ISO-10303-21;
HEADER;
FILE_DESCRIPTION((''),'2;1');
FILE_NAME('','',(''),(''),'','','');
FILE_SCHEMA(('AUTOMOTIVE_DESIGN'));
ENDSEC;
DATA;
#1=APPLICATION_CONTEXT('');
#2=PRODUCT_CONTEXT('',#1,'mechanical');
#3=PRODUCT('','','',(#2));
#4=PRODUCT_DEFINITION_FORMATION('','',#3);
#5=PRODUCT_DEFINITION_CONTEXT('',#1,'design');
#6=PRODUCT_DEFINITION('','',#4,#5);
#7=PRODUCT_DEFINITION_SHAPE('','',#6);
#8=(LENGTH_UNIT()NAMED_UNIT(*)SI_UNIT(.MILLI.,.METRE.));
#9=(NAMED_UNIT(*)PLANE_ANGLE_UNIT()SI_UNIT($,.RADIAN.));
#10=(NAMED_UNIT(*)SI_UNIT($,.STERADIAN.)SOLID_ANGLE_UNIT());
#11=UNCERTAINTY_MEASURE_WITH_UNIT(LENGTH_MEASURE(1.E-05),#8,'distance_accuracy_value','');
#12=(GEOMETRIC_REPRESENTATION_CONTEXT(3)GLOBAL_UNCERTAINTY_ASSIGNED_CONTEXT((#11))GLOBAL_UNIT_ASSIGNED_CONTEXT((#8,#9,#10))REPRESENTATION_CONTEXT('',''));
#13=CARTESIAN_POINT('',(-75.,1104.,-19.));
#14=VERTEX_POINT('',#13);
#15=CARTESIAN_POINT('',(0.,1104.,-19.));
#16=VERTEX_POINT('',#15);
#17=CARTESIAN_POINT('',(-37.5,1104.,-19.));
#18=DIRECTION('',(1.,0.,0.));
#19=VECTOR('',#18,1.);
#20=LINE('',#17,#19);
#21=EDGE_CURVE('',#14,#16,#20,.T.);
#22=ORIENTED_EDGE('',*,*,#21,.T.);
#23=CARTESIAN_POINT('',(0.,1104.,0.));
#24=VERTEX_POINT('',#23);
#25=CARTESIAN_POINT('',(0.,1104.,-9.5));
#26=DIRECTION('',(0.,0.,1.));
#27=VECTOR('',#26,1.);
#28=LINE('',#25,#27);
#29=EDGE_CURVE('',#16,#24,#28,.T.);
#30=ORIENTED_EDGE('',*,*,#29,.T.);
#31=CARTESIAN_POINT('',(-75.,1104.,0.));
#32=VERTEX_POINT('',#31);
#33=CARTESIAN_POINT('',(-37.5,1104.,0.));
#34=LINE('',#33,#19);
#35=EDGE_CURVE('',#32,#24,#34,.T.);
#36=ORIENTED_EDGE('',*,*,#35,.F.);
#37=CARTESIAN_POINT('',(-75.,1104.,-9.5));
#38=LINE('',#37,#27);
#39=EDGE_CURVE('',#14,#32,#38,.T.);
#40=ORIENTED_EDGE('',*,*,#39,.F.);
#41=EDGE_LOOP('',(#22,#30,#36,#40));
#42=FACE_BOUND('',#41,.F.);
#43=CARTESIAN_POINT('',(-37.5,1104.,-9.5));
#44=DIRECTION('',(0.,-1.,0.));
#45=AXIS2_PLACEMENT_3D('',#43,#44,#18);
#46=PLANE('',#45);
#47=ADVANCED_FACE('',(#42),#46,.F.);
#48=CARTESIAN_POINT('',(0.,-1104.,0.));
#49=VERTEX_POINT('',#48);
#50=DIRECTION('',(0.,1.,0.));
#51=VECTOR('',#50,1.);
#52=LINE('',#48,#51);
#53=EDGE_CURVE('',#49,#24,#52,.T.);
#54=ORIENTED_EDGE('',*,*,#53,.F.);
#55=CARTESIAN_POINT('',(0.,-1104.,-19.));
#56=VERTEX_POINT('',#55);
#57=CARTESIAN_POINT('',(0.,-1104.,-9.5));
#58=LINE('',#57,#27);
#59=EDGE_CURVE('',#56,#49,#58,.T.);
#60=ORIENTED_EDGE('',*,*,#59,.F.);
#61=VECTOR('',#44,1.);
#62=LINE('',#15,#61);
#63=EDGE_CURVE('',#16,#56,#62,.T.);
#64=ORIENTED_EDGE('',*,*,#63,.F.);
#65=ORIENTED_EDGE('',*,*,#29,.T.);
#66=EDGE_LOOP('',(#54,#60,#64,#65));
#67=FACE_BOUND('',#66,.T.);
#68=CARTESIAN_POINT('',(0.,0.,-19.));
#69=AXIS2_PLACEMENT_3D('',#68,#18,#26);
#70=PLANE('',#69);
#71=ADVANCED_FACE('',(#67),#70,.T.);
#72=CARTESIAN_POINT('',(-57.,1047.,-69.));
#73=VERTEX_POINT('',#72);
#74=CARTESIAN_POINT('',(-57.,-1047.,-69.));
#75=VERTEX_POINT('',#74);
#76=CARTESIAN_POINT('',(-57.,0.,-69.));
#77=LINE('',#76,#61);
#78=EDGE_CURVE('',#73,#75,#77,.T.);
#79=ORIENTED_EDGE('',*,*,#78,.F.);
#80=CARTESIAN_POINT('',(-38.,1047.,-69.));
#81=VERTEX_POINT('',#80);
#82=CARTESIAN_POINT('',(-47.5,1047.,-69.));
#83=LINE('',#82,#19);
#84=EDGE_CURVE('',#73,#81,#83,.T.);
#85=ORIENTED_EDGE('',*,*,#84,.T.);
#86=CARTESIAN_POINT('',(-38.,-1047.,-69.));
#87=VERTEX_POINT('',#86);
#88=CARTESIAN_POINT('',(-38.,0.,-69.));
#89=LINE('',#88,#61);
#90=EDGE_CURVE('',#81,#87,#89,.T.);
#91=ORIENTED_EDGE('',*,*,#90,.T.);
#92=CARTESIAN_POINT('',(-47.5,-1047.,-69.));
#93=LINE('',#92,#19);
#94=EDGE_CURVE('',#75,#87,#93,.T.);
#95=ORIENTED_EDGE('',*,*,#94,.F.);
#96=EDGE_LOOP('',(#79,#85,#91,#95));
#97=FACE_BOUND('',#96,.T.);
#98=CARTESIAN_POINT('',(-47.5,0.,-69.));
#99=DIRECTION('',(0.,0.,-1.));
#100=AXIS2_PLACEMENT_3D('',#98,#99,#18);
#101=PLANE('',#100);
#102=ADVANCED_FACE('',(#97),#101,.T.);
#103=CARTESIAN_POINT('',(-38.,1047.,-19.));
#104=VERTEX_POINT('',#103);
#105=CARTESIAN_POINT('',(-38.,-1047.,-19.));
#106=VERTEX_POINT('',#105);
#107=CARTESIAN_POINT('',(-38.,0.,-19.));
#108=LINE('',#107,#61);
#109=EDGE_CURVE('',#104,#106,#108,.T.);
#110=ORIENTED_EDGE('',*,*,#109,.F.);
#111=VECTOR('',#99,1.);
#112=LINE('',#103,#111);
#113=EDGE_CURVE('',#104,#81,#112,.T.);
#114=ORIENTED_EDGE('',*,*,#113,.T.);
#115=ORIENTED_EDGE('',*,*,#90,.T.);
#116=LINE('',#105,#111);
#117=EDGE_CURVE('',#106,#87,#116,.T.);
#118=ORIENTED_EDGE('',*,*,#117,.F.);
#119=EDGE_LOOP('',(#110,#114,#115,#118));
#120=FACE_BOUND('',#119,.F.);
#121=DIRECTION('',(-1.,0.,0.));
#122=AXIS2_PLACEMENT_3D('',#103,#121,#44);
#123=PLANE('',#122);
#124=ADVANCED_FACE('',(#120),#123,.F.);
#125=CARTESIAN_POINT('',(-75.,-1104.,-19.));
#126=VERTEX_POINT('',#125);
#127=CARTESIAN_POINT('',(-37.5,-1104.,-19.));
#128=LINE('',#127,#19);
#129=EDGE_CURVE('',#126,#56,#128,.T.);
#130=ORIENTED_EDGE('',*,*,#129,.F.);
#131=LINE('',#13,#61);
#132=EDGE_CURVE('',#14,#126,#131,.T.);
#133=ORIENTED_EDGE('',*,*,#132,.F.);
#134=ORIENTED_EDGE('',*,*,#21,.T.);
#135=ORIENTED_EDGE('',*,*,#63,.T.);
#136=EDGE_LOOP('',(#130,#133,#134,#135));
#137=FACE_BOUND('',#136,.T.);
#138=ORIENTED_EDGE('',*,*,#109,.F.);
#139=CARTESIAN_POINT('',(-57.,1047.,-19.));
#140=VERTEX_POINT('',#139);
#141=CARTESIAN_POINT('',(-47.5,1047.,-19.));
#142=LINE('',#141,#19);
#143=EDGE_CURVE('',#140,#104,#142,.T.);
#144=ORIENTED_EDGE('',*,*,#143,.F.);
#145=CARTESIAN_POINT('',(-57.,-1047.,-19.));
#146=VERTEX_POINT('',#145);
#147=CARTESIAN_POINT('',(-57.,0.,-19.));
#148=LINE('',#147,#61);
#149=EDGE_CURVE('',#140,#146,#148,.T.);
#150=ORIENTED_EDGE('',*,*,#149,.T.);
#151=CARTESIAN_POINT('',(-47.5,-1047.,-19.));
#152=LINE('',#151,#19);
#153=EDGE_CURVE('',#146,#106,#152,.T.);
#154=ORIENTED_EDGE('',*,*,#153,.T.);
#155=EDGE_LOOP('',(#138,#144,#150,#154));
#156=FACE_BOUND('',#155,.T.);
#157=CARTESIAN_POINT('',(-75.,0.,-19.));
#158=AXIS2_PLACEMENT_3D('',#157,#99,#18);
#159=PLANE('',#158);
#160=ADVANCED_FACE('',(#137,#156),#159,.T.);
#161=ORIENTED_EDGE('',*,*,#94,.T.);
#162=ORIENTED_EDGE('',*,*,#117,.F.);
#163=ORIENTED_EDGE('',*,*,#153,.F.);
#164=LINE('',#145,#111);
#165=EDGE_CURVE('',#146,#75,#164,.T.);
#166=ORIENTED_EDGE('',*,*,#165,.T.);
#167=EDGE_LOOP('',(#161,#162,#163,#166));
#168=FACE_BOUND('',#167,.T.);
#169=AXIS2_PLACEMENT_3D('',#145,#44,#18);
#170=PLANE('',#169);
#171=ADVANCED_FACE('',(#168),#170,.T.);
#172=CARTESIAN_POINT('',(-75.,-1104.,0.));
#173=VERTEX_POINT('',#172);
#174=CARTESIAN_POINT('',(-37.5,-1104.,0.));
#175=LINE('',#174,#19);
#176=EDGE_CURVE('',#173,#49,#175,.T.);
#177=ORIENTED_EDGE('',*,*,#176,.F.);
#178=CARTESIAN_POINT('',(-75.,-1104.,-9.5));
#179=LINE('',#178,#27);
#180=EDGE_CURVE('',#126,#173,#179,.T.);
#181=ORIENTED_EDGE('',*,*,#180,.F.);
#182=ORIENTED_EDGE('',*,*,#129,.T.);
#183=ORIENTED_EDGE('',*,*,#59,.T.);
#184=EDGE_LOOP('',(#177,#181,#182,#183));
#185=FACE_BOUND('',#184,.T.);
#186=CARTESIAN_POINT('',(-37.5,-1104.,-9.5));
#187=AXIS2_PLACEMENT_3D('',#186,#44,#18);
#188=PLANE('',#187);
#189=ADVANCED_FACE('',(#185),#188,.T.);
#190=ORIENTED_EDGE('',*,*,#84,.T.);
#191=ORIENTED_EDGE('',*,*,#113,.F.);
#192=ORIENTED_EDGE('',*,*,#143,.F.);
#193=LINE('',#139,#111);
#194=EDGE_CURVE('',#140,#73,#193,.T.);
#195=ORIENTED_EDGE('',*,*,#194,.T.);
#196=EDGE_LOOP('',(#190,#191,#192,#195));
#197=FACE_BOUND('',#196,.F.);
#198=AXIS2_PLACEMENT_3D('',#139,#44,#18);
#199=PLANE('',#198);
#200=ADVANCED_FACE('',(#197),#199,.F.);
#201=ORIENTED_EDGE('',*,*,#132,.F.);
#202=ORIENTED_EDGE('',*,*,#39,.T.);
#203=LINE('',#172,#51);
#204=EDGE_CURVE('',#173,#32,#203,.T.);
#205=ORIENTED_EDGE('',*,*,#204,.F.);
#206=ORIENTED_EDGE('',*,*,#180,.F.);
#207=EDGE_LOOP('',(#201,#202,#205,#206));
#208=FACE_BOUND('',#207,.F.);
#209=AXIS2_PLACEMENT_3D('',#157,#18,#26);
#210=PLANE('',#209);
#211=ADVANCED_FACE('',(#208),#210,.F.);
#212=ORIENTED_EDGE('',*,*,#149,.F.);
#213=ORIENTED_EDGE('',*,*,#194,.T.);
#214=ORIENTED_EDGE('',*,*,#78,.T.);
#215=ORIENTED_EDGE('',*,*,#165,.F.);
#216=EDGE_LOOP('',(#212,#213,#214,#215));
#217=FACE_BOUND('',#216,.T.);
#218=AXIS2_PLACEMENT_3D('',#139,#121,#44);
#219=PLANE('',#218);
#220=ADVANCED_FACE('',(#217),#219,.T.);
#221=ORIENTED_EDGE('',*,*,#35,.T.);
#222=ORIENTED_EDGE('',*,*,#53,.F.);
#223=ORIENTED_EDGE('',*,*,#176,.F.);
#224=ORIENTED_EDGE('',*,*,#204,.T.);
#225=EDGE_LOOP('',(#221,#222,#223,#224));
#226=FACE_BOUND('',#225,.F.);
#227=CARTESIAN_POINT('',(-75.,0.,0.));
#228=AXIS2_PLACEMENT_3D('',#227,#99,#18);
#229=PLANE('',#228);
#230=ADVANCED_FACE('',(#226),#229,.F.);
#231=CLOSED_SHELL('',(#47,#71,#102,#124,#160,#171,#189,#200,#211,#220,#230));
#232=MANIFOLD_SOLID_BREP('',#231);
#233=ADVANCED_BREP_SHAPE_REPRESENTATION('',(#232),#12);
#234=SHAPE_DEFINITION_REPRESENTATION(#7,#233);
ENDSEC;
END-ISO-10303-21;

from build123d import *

# Parameters (mm, degrees)
F0_W     = 75
F0_H     = 19
F1_DEPTH = 1104
F2_W     = 19
F2_H     = 2094
F3_DEPTH = 50


with BuildPart() as f1:
    # F0 (on Front) → F1 (new body, symmetric)
    with BuildSketch(Plane.XZ):
        with Locations((-37.5, -9.5)):
            Rectangle(F0_W, F0_H)
    extrude(amount=F1_DEPTH, both=True)

    # F2 (on face) → F3 (join)
    with BuildSketch(Plane(origin=(0, 0, -19), x_dir=(1, 0, 0), z_dir=(0, 0, -1))):
        with Locations((-47.5, 0)):
            Rectangle(F2_W, F2_H)
    extrude(amount=F3_DEPTH)


solid = f1.part
